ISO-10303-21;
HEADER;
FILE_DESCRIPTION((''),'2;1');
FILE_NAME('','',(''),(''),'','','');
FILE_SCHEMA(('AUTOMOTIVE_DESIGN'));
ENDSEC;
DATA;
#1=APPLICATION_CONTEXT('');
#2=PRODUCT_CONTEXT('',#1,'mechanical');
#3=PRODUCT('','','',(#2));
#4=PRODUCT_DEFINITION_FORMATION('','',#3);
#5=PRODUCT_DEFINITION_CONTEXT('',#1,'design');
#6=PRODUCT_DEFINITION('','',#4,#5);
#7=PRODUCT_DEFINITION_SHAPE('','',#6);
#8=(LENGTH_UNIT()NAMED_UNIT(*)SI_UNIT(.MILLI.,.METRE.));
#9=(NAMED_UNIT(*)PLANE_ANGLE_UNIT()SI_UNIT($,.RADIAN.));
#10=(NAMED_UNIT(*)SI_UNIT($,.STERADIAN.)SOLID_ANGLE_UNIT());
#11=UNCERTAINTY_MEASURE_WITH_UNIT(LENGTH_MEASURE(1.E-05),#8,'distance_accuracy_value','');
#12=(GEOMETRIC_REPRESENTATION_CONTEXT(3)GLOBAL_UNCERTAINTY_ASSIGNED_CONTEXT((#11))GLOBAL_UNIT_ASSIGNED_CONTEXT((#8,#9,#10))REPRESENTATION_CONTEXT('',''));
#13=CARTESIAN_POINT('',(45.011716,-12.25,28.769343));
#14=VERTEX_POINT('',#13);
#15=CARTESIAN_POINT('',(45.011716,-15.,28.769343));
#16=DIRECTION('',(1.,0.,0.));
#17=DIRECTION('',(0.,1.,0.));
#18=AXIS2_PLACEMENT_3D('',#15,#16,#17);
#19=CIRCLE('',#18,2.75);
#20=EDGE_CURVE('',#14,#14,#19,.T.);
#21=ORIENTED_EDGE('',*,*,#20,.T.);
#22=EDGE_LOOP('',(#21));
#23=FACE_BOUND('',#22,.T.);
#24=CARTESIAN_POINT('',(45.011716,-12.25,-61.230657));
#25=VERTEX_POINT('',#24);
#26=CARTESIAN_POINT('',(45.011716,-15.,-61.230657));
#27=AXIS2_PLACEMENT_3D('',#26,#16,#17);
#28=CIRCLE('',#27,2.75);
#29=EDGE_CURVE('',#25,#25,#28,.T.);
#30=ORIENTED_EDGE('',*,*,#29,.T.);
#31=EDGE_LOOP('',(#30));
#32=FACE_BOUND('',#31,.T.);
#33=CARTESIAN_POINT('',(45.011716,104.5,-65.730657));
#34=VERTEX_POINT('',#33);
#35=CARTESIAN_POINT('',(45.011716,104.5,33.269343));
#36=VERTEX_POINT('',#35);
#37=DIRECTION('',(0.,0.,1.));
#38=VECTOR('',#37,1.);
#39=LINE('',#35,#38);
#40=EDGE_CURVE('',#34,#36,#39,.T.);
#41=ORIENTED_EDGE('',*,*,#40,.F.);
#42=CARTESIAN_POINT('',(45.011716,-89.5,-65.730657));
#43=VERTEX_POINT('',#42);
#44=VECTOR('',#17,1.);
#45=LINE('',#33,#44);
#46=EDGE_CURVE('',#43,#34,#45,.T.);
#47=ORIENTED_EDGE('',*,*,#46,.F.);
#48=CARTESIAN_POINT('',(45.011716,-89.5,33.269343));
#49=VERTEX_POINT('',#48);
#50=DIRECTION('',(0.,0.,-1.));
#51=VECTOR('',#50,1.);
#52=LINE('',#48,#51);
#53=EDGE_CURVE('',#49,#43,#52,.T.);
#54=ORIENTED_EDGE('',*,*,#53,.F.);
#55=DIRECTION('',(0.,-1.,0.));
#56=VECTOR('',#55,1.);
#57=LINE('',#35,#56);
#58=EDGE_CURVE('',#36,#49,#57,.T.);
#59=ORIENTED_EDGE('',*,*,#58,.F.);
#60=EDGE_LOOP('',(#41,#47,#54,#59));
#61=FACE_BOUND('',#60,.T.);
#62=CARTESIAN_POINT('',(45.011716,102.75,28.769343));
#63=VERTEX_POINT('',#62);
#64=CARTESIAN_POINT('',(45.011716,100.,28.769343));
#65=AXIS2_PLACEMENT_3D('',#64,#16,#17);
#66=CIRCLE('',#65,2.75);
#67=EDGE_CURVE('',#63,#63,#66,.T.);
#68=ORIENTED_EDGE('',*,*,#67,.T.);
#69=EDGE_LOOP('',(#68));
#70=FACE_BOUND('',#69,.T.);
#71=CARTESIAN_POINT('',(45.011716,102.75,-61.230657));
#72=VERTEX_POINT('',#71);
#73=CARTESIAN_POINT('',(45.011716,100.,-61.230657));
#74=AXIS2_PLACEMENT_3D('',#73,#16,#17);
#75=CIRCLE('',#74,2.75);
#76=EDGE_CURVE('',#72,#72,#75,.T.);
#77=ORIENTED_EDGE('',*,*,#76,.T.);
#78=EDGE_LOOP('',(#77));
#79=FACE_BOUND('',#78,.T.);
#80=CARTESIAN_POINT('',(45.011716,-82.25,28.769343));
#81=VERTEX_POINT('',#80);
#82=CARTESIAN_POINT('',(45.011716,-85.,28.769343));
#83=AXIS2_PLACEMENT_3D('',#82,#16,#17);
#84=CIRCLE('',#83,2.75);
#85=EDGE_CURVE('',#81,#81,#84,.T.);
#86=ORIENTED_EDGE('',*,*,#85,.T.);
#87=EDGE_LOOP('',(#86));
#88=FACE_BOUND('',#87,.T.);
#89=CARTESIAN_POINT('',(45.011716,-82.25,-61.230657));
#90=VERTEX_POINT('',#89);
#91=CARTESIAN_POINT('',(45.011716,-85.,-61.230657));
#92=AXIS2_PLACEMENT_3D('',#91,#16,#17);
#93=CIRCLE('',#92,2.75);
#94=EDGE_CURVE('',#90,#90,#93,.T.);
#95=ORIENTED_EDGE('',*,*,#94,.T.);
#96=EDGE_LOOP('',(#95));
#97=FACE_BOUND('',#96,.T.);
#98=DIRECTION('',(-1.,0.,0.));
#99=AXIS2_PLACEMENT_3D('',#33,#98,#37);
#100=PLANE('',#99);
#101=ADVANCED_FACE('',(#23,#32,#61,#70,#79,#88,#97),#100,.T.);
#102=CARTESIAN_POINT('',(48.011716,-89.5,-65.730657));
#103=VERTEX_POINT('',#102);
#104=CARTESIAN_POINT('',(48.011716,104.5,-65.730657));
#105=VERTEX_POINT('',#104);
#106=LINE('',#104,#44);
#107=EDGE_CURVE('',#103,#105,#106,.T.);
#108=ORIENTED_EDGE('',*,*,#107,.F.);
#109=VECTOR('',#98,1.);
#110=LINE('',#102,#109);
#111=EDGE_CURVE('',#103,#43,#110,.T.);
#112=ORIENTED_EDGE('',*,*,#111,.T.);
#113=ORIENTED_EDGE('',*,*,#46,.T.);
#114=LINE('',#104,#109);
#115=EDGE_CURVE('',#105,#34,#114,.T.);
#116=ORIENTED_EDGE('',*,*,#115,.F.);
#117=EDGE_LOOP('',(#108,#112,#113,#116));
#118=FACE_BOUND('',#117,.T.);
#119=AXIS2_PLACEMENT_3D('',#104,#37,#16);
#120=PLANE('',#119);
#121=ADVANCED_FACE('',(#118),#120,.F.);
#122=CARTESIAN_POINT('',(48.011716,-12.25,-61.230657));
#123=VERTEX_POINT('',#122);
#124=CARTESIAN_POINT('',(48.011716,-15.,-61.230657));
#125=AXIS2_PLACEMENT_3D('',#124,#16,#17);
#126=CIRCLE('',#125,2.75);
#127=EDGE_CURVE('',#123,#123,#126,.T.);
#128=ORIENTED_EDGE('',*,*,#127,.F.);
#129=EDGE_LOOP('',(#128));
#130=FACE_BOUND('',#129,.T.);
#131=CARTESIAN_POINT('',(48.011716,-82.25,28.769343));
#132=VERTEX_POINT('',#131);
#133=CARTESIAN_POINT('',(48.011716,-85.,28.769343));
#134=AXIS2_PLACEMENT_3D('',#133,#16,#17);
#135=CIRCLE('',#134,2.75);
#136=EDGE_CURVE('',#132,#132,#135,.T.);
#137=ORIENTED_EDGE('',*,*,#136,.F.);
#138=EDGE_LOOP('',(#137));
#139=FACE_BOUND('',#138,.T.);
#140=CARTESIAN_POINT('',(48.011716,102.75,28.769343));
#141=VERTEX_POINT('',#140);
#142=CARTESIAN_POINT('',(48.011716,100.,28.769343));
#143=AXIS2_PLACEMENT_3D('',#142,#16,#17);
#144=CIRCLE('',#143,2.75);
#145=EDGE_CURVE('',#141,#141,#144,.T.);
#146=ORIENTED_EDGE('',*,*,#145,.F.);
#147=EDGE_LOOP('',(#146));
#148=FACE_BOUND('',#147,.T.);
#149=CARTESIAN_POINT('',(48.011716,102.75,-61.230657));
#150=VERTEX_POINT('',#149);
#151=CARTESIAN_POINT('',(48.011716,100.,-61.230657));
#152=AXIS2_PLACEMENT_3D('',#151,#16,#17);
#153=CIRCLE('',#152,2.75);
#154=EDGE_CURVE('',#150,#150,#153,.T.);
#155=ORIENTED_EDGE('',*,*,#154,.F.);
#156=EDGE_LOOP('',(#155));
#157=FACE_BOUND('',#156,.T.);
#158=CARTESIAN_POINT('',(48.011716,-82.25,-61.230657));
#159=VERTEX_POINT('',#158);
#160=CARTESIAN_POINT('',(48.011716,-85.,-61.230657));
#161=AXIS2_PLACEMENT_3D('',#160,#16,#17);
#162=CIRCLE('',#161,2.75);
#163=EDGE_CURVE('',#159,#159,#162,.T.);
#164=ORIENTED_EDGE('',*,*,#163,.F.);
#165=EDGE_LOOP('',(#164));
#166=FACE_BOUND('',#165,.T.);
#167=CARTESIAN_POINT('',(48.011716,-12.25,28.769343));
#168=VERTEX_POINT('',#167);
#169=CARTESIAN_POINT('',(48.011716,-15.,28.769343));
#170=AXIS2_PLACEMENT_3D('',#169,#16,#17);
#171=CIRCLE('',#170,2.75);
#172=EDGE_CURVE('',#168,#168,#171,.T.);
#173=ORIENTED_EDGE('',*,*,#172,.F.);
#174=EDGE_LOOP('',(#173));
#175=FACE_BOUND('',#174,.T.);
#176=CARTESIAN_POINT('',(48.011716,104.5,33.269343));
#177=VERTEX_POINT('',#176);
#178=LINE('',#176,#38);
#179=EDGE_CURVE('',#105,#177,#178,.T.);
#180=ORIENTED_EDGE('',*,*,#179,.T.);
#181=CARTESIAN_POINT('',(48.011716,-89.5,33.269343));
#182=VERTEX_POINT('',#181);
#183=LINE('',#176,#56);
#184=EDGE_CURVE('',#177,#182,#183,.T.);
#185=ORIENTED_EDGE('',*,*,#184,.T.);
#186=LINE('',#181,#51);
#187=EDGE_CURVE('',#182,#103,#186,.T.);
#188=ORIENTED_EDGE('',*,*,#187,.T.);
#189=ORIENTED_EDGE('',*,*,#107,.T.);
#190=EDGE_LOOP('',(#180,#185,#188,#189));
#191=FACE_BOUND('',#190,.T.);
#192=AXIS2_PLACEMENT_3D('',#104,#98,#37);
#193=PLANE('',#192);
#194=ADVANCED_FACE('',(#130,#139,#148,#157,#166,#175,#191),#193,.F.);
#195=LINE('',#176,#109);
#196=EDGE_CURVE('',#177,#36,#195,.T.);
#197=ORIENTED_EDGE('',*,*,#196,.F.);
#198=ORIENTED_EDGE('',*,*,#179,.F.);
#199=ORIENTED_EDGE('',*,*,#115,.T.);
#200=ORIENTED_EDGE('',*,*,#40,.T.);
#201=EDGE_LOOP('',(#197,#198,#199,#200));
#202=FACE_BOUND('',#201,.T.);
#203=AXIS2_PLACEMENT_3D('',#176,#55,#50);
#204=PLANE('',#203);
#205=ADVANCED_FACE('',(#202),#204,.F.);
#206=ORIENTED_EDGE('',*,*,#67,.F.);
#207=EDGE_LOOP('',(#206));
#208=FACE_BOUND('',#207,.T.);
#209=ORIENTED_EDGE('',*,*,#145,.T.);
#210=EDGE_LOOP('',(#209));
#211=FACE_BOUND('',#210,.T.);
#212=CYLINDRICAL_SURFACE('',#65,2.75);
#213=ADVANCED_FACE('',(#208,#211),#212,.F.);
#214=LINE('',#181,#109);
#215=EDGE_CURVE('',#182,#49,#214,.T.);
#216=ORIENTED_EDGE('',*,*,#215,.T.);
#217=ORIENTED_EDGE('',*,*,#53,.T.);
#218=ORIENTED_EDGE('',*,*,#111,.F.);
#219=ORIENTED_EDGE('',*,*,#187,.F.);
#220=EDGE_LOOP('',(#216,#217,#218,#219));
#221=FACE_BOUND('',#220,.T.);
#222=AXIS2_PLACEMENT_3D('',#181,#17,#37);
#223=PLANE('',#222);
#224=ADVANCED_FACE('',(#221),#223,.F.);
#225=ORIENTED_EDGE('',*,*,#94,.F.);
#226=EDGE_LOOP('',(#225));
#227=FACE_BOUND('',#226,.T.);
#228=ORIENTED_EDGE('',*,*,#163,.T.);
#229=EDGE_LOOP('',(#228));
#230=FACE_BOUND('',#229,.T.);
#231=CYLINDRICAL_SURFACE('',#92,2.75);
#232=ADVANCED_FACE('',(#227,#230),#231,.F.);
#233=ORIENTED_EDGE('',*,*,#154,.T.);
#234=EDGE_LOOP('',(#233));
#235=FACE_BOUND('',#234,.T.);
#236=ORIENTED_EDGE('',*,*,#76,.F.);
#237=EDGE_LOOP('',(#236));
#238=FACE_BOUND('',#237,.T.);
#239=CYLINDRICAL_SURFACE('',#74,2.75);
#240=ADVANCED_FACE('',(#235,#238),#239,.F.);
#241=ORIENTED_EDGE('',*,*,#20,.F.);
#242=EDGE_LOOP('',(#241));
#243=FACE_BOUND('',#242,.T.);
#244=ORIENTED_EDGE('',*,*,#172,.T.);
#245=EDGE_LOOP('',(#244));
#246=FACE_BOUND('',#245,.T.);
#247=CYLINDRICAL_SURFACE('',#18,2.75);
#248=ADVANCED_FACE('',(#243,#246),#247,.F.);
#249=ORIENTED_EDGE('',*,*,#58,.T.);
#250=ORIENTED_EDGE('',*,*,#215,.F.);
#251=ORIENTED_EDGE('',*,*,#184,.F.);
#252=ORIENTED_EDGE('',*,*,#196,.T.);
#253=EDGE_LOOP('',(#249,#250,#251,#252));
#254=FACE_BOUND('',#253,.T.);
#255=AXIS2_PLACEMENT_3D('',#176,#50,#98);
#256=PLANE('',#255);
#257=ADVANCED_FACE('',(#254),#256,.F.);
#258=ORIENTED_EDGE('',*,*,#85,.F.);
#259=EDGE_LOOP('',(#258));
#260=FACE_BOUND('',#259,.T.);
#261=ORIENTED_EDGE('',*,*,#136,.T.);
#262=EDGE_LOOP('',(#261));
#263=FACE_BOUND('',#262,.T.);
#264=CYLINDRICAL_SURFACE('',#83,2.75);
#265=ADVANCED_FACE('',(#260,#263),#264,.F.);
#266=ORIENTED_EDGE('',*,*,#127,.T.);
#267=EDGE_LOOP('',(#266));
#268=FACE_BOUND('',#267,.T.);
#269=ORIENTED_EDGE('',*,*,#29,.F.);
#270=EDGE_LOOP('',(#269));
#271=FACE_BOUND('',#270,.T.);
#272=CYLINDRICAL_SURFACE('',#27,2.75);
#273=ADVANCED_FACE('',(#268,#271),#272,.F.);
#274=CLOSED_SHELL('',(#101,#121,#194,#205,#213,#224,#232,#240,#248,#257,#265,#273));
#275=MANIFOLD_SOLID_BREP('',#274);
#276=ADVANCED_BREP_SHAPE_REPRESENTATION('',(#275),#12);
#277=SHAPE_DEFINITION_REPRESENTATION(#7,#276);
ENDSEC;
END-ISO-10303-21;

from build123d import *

# Parameters (mm, degrees)
SKETCH1_W           = 99
SKETCH1_H           = 194
BOSS_EXTRUDE1_DEPTH = 3
SKETCH2_R           = 2.75
CUT_EXTRUDE1_DEPTH  = 4


with BuildPart() as part:
    # Sketch1 → Boss-Extrude1 (new body)
    with BuildSketch(Plane(origin=(45.01171607, 0, 0), x_dir=(0, 0, -1), z_dir=(1, 0, 0))):
        with Locations((16.230657269, 7.5)):
            Rectangle(SKETCH1_W, SKETCH1_H)
    extrude(amount=BOSS_EXTRUDE1_DEPTH)

    # Sketch2 → Cut-Extrude1 (cut, through all)
    with BuildSketch(Plane(origin=(48.01171607, 0, 0), x_dir=(0, 0, -1), z_dir=(1, 0, 0))):
        with Locations((-28.769342731, 100)):
            Circle(SKETCH2_R)
        with Locations((61.230657269, 100)):
            Circle(SKETCH2_R)
        with Locations((-28.769342731, -85)):
            Circle(SKETCH2_R)
        with Locations((61.230657269, -85)):
            Circle(SKETCH2_R)
        with Locations((-28.769342731, -15)):
            Circle(SKETCH2_R)
        with Locations((61.230657269, -15)):
            Circle(SKETCH2_R)
    extrude(amount=-CUT_EXTRUDE1_DEPTH, mode=Mode.SUBTRACT)


solid = part.part
